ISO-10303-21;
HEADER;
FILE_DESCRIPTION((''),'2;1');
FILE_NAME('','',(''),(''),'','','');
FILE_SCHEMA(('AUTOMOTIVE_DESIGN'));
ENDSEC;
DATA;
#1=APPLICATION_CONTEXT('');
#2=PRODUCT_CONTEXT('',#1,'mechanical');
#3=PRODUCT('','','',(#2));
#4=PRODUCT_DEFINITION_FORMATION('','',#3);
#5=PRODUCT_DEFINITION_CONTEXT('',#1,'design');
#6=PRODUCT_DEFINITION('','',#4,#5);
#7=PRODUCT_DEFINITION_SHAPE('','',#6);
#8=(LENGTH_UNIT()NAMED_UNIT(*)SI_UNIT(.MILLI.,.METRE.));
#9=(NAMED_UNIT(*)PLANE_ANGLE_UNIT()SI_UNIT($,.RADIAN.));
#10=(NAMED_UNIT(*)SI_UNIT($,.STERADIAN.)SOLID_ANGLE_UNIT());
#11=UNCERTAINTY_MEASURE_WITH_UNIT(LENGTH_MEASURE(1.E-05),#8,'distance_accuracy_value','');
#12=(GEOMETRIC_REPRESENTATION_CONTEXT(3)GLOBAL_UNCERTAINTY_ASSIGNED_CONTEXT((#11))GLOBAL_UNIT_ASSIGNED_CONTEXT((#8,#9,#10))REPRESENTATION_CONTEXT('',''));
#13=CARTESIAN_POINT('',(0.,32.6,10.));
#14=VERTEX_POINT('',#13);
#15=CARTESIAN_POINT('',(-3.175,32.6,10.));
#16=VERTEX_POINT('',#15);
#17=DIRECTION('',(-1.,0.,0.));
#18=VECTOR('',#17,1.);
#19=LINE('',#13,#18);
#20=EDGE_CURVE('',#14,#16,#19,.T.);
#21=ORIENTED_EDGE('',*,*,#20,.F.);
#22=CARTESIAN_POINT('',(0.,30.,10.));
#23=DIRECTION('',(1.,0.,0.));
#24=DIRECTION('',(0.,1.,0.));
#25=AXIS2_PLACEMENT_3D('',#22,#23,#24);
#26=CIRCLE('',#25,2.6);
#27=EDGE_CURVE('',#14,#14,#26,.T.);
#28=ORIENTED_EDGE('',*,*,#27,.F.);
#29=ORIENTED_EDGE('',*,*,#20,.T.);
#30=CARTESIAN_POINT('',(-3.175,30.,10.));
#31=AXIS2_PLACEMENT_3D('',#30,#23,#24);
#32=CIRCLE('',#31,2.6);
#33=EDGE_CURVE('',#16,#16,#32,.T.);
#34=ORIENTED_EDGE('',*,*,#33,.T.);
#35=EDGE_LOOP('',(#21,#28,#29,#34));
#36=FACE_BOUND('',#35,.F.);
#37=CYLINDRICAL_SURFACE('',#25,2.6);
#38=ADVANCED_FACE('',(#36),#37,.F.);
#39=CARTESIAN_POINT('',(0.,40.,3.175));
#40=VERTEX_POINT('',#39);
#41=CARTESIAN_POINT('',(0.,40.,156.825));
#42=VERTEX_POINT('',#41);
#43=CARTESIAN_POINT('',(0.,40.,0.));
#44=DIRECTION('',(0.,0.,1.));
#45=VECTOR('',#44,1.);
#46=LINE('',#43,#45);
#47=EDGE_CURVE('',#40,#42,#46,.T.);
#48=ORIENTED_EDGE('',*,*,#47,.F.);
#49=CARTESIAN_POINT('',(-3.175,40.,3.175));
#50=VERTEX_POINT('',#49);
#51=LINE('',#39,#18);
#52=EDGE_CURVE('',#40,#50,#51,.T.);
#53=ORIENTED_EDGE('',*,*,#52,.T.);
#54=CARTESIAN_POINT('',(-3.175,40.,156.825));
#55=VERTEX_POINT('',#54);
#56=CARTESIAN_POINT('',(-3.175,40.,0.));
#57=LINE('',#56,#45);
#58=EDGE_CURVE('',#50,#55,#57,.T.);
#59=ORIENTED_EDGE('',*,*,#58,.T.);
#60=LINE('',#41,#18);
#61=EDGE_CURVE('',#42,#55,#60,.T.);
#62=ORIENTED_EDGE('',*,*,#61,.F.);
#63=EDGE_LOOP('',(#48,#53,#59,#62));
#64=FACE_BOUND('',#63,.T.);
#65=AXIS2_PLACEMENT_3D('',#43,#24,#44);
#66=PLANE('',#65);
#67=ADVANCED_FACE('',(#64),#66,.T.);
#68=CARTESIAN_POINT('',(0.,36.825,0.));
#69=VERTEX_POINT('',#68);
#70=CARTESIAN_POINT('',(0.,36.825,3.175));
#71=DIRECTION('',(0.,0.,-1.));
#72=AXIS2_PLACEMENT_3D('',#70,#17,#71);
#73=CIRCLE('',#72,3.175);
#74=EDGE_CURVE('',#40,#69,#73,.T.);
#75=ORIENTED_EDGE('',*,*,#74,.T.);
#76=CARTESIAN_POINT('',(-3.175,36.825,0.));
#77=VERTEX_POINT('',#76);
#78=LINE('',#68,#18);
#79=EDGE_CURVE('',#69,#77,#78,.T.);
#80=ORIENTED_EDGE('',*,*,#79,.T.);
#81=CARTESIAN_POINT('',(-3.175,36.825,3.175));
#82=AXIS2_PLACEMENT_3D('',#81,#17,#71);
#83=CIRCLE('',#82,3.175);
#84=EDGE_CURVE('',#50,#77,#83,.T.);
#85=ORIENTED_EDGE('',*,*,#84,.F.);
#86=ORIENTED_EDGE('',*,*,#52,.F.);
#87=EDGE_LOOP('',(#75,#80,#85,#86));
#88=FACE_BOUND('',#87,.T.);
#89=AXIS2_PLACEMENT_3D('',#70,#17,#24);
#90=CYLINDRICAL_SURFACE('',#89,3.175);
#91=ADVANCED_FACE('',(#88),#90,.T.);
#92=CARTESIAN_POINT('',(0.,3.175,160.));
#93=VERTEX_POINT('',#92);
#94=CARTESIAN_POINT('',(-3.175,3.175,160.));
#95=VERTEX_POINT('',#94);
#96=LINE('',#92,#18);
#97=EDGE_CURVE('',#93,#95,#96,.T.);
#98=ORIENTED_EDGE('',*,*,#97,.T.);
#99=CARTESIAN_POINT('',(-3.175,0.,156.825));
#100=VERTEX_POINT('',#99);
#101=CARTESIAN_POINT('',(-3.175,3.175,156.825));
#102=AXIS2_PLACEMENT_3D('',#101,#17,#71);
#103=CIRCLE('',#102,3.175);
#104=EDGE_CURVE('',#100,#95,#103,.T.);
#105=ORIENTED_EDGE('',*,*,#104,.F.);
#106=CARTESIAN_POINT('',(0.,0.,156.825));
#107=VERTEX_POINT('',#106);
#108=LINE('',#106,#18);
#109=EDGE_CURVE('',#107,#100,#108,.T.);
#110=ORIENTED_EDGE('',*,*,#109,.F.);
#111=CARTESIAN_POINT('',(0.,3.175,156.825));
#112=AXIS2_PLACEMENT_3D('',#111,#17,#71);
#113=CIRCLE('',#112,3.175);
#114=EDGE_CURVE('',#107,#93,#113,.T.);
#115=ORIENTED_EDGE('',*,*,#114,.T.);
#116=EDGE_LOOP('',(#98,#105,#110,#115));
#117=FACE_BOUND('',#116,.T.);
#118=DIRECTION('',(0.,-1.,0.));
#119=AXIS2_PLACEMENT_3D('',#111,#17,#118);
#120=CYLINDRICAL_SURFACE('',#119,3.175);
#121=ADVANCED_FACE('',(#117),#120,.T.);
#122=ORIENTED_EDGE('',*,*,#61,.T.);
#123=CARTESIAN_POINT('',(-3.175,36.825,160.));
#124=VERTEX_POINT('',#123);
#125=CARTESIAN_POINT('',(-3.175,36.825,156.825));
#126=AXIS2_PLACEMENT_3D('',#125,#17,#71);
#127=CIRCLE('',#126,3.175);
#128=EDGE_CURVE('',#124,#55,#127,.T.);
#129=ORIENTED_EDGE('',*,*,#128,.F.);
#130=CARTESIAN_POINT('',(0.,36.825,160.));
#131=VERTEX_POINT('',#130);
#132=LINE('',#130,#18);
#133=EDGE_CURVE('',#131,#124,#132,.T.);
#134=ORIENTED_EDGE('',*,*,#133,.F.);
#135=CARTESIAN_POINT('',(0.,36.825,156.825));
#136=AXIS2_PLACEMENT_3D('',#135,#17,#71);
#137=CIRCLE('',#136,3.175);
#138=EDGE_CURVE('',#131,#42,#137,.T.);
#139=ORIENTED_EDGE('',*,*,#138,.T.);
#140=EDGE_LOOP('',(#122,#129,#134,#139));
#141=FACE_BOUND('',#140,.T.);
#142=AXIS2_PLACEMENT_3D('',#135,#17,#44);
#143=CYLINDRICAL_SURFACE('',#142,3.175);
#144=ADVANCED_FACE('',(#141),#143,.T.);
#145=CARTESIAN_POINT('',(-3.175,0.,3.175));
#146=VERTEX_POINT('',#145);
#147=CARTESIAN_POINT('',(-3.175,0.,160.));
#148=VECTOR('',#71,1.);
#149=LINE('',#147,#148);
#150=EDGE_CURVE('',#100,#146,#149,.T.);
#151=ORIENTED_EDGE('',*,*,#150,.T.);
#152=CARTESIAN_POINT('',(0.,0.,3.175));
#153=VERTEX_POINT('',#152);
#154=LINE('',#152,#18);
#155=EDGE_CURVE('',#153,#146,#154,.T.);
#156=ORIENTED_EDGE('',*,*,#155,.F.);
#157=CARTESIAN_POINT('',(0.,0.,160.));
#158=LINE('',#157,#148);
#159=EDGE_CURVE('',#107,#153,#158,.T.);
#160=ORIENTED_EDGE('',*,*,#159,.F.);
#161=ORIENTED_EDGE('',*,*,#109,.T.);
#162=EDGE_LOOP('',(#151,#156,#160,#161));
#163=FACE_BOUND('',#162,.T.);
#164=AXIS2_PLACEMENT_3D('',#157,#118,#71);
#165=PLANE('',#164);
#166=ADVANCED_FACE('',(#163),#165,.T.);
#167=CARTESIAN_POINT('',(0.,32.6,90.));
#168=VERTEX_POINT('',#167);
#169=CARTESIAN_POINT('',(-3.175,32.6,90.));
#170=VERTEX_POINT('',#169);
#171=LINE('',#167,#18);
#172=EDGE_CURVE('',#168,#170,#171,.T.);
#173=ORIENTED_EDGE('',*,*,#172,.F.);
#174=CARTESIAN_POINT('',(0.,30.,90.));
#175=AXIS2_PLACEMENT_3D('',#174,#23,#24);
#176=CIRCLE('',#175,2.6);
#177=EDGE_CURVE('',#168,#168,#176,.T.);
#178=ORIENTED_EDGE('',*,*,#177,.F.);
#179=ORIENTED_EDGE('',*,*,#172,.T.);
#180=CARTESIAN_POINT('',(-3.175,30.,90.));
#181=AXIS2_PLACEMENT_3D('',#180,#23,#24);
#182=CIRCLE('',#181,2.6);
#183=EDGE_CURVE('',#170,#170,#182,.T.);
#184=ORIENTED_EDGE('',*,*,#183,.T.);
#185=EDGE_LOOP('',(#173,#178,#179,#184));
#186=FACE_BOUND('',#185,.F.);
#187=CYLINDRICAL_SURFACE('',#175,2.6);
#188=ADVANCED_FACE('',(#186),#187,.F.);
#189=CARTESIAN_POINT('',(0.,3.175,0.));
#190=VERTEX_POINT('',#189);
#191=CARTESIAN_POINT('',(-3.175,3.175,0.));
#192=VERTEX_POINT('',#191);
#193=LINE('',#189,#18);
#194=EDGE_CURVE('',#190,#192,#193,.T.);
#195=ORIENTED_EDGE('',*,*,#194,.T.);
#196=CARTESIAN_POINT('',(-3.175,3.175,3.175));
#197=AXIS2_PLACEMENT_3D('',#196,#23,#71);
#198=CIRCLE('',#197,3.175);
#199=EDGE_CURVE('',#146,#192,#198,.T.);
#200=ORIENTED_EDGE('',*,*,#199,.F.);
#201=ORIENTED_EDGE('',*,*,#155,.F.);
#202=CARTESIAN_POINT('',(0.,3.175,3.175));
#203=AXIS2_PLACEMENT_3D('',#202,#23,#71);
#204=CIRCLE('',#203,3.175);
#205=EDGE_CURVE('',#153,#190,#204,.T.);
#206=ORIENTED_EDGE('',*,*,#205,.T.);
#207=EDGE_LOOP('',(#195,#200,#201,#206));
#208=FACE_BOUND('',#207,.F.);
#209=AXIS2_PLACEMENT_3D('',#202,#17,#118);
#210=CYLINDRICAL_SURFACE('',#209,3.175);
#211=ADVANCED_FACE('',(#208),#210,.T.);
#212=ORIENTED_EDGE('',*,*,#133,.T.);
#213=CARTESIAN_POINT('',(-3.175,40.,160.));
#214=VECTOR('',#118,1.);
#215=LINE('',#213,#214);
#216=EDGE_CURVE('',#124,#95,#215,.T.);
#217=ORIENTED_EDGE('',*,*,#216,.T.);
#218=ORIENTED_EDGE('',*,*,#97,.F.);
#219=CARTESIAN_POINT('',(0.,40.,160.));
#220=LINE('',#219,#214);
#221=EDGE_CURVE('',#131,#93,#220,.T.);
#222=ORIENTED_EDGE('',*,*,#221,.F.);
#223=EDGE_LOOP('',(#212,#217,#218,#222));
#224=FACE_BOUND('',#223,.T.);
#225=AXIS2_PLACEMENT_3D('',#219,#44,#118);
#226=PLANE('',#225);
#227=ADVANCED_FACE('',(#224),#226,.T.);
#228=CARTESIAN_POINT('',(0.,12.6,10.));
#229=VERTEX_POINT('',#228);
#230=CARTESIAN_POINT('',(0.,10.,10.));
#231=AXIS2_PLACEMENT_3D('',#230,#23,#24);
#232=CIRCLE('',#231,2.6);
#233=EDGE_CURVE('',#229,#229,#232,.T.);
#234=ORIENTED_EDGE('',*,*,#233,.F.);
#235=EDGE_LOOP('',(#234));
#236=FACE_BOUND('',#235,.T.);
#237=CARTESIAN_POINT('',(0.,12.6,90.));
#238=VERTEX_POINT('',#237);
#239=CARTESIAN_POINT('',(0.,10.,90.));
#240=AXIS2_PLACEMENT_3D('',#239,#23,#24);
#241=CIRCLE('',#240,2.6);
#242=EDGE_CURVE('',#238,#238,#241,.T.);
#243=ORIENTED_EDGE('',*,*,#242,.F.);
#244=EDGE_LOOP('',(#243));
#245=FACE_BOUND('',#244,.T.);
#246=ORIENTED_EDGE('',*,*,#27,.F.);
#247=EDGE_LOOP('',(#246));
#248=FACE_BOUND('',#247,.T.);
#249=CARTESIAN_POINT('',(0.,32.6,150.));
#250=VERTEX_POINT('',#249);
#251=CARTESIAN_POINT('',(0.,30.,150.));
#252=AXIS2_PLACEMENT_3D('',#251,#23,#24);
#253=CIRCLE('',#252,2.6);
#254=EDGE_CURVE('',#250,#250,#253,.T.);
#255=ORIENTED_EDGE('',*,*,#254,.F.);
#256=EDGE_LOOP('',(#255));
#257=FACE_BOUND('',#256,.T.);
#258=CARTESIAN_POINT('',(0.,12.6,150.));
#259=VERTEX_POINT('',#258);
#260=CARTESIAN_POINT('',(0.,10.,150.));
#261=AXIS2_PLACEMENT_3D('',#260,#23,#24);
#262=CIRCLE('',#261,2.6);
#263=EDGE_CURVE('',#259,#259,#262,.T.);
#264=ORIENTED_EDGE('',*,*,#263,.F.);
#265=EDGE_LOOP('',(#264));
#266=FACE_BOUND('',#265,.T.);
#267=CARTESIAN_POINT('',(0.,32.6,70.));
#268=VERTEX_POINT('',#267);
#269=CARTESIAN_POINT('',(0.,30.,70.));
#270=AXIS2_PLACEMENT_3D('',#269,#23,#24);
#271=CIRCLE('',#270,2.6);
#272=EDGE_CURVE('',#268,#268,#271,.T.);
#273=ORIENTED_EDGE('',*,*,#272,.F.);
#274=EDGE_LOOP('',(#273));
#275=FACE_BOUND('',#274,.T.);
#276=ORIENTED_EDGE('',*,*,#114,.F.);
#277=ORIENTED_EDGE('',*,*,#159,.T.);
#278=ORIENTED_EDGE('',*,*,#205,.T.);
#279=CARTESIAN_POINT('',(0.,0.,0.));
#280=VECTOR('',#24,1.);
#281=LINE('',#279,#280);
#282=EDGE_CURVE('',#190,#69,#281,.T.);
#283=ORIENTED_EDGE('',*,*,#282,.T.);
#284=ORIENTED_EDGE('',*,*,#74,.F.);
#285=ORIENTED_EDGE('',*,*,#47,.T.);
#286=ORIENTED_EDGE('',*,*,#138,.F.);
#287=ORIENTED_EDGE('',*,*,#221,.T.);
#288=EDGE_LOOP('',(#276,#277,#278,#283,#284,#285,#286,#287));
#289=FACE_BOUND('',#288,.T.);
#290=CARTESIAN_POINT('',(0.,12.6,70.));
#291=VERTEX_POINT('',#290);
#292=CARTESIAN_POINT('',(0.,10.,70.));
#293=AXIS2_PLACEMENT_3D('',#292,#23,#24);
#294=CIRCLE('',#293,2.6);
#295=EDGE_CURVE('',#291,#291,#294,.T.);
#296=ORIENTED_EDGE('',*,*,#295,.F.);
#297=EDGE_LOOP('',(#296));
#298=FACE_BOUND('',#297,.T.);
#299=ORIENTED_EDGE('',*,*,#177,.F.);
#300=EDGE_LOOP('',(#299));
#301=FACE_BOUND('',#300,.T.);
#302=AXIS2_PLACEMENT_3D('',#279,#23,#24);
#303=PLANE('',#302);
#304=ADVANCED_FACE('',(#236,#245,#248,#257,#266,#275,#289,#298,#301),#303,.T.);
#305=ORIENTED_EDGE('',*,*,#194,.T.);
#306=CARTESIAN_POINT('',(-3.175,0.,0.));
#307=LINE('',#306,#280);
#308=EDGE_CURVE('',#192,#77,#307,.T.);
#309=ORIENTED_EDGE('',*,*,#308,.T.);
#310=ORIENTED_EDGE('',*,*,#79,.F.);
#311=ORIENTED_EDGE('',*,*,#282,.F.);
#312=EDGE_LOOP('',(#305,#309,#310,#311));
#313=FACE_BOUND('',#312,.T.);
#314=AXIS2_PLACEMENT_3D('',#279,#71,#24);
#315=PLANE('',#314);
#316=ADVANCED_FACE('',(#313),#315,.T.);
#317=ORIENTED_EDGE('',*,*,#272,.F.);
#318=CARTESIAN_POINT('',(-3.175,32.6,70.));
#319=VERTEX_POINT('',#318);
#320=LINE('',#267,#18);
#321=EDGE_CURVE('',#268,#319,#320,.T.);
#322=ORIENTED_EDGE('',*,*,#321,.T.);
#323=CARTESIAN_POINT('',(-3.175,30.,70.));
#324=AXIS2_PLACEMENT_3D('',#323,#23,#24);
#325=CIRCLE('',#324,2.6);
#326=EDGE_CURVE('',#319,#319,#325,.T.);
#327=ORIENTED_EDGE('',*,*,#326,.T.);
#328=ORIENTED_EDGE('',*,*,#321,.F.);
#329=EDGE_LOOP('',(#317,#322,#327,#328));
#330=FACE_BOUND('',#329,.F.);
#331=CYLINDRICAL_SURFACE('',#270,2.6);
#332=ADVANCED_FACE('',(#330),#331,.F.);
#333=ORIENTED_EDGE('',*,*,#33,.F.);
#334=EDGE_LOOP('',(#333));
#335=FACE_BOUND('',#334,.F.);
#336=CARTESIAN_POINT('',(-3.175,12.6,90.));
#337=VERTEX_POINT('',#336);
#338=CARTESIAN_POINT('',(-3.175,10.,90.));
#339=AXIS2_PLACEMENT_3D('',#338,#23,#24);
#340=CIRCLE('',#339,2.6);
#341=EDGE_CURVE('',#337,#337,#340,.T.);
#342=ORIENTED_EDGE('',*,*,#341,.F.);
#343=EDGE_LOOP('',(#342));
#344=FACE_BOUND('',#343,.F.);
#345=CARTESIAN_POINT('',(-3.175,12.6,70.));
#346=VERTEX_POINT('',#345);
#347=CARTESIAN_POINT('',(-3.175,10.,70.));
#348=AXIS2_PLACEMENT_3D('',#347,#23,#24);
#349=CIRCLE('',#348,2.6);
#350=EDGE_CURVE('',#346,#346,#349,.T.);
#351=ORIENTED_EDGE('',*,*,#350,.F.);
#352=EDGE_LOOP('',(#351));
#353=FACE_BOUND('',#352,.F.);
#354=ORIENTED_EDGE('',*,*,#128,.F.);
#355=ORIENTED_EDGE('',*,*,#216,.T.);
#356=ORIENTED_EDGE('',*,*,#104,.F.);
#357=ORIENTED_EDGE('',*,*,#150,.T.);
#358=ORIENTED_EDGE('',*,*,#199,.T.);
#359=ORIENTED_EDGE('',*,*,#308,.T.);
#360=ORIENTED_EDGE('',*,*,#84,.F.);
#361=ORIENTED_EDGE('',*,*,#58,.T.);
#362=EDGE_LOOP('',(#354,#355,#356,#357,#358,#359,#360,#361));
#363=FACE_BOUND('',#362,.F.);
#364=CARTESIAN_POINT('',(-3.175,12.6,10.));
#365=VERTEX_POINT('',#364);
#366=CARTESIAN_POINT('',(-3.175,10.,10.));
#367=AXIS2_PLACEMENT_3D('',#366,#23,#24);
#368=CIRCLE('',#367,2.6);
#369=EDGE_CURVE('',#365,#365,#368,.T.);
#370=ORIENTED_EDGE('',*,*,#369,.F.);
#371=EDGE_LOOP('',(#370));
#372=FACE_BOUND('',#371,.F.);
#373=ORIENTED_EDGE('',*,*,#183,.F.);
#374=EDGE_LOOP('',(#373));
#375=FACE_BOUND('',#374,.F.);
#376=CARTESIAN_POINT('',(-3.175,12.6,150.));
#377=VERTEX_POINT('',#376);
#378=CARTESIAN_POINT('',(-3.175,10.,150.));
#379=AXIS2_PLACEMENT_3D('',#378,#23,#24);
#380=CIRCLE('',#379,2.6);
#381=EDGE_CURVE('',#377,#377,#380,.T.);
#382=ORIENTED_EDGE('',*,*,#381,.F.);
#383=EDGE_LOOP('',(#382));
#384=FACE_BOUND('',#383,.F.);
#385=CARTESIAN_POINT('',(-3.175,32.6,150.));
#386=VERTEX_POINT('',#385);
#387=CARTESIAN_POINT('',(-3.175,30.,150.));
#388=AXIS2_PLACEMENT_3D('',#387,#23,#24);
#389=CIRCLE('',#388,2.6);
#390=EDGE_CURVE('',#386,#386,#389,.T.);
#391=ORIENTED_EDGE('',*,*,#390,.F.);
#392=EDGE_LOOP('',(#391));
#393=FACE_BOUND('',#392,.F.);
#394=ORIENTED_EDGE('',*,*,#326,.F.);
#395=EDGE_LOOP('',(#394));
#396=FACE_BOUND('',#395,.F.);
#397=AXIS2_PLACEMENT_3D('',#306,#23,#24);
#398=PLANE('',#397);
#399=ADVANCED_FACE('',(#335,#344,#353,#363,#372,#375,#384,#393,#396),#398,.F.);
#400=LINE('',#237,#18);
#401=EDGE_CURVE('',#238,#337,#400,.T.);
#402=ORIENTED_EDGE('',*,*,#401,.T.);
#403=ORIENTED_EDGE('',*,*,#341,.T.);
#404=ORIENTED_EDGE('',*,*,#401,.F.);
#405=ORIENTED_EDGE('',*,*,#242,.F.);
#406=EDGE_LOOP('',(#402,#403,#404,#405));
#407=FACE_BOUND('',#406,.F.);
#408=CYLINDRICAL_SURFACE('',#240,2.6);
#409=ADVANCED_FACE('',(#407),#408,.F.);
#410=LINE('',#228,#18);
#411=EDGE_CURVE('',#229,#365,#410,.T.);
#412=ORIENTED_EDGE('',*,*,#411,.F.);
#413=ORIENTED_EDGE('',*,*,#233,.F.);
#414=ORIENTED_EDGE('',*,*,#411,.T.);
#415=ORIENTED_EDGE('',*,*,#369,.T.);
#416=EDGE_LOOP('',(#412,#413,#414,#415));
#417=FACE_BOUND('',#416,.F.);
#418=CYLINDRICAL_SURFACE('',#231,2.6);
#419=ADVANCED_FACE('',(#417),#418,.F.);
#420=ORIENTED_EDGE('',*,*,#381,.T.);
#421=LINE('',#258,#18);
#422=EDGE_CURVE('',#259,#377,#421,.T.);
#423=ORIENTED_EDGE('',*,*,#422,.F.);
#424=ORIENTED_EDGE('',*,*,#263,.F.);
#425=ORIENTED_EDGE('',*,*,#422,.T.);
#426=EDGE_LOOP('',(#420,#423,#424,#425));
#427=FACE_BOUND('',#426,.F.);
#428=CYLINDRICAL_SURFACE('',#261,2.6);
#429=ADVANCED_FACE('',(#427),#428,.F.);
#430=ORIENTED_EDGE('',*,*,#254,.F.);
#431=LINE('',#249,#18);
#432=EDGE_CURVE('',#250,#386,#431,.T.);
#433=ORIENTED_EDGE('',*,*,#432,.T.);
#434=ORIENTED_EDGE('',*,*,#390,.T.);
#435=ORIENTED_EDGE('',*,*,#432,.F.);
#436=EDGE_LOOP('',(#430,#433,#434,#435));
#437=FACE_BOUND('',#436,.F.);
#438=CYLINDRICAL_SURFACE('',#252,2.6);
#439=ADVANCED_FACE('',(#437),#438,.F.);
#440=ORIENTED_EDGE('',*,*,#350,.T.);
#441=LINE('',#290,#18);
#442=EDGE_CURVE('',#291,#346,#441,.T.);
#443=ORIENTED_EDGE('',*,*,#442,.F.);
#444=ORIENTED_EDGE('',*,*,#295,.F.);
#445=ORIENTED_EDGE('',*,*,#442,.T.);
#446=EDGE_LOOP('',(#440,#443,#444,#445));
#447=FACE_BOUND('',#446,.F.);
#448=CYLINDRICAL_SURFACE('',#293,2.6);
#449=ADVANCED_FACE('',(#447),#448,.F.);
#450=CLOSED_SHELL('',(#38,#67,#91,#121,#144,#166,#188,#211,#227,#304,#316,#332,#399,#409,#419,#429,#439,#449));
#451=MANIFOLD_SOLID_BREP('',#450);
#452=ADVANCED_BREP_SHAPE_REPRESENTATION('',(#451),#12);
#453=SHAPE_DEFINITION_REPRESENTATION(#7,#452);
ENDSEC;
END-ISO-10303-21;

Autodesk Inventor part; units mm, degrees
ref_plane "YZ Plane" through (0, 0, 0) normal (1, 0, 0) x (0, 1, 0)
ref_plane "XZ Plane" through (0, 0, 0) normal (0, 1, 0) x (-1, 0, 0)
ref_plane "XY Plane" through (0, 0, 0) normal (0, 0, 1) x (1, 0, 0)
sketch "Sketch1" plane through (0, 0, 0) normal (1, 0, 0) x (0, 1, 0)
  line L0 (0, 0) -> (40, 0)
  line L1 (40, 0) -> (40, 160)
  line L2 (40, 160) -> (0, 160)
  line L3 (0, 160) -> (0, 0)
  line L4 (40, 80) -> (0, 80) construction
  line L5 (30, 70) -> (10, 70) construction
  line L6 (10, 70) -> (10, 10) construction
  line L7 (10, 10) -> (30, 10) construction
  line L8 (30, 10) -> (30, 70) construction
  line L9 (30, 70) -> (40, 70) construction
  line L10 (30, 70) -> (30, 80) construction
  line L11 (10, 10) -> (0, 10) construction
  line L12 (10, 10) -> (10, 0) construction
  circle A0 centre (30, 70) radius 2.6
  circle A1 centre (30, 10) radius 2.6
  circle A2 centre (10, 10) radius 2.6
  circle A3 centre (10, 70) radius 2.6
  circle A4 centre (30, 90) radius 2.6
  circle A5 centre (30, 150) radius 2.6
  circle A6 centre (10, 150) radius 2.6
  circle A7 centre (10, 90) radius 2.6
  dimension "d0" = 40
  dimension "d1" = 160
  dimension "d2" = 20
  dimension "d3" = 60
  dimension "d4" = 5.2
  dimension "d5" = 5.2
  dimension "d6" = 5.2
  dimension "d7" = 5.2
extrude "Extrusion1" add sketch "Sketch1" against normal blind 3.175
fillet "Fillet1" radius 3.175 4 edges at (-1.5875, 40, 160) (-1.5875, 0, 160) (-1.5875, 40, 0) (-1.5875, 0, 0)
equation "\"d5\" = d4"
equation "\"d6\" = d4"
equation "\"d7\" = d4"
properties part number "2x4 2020 Extrusion Gusset Connector"
